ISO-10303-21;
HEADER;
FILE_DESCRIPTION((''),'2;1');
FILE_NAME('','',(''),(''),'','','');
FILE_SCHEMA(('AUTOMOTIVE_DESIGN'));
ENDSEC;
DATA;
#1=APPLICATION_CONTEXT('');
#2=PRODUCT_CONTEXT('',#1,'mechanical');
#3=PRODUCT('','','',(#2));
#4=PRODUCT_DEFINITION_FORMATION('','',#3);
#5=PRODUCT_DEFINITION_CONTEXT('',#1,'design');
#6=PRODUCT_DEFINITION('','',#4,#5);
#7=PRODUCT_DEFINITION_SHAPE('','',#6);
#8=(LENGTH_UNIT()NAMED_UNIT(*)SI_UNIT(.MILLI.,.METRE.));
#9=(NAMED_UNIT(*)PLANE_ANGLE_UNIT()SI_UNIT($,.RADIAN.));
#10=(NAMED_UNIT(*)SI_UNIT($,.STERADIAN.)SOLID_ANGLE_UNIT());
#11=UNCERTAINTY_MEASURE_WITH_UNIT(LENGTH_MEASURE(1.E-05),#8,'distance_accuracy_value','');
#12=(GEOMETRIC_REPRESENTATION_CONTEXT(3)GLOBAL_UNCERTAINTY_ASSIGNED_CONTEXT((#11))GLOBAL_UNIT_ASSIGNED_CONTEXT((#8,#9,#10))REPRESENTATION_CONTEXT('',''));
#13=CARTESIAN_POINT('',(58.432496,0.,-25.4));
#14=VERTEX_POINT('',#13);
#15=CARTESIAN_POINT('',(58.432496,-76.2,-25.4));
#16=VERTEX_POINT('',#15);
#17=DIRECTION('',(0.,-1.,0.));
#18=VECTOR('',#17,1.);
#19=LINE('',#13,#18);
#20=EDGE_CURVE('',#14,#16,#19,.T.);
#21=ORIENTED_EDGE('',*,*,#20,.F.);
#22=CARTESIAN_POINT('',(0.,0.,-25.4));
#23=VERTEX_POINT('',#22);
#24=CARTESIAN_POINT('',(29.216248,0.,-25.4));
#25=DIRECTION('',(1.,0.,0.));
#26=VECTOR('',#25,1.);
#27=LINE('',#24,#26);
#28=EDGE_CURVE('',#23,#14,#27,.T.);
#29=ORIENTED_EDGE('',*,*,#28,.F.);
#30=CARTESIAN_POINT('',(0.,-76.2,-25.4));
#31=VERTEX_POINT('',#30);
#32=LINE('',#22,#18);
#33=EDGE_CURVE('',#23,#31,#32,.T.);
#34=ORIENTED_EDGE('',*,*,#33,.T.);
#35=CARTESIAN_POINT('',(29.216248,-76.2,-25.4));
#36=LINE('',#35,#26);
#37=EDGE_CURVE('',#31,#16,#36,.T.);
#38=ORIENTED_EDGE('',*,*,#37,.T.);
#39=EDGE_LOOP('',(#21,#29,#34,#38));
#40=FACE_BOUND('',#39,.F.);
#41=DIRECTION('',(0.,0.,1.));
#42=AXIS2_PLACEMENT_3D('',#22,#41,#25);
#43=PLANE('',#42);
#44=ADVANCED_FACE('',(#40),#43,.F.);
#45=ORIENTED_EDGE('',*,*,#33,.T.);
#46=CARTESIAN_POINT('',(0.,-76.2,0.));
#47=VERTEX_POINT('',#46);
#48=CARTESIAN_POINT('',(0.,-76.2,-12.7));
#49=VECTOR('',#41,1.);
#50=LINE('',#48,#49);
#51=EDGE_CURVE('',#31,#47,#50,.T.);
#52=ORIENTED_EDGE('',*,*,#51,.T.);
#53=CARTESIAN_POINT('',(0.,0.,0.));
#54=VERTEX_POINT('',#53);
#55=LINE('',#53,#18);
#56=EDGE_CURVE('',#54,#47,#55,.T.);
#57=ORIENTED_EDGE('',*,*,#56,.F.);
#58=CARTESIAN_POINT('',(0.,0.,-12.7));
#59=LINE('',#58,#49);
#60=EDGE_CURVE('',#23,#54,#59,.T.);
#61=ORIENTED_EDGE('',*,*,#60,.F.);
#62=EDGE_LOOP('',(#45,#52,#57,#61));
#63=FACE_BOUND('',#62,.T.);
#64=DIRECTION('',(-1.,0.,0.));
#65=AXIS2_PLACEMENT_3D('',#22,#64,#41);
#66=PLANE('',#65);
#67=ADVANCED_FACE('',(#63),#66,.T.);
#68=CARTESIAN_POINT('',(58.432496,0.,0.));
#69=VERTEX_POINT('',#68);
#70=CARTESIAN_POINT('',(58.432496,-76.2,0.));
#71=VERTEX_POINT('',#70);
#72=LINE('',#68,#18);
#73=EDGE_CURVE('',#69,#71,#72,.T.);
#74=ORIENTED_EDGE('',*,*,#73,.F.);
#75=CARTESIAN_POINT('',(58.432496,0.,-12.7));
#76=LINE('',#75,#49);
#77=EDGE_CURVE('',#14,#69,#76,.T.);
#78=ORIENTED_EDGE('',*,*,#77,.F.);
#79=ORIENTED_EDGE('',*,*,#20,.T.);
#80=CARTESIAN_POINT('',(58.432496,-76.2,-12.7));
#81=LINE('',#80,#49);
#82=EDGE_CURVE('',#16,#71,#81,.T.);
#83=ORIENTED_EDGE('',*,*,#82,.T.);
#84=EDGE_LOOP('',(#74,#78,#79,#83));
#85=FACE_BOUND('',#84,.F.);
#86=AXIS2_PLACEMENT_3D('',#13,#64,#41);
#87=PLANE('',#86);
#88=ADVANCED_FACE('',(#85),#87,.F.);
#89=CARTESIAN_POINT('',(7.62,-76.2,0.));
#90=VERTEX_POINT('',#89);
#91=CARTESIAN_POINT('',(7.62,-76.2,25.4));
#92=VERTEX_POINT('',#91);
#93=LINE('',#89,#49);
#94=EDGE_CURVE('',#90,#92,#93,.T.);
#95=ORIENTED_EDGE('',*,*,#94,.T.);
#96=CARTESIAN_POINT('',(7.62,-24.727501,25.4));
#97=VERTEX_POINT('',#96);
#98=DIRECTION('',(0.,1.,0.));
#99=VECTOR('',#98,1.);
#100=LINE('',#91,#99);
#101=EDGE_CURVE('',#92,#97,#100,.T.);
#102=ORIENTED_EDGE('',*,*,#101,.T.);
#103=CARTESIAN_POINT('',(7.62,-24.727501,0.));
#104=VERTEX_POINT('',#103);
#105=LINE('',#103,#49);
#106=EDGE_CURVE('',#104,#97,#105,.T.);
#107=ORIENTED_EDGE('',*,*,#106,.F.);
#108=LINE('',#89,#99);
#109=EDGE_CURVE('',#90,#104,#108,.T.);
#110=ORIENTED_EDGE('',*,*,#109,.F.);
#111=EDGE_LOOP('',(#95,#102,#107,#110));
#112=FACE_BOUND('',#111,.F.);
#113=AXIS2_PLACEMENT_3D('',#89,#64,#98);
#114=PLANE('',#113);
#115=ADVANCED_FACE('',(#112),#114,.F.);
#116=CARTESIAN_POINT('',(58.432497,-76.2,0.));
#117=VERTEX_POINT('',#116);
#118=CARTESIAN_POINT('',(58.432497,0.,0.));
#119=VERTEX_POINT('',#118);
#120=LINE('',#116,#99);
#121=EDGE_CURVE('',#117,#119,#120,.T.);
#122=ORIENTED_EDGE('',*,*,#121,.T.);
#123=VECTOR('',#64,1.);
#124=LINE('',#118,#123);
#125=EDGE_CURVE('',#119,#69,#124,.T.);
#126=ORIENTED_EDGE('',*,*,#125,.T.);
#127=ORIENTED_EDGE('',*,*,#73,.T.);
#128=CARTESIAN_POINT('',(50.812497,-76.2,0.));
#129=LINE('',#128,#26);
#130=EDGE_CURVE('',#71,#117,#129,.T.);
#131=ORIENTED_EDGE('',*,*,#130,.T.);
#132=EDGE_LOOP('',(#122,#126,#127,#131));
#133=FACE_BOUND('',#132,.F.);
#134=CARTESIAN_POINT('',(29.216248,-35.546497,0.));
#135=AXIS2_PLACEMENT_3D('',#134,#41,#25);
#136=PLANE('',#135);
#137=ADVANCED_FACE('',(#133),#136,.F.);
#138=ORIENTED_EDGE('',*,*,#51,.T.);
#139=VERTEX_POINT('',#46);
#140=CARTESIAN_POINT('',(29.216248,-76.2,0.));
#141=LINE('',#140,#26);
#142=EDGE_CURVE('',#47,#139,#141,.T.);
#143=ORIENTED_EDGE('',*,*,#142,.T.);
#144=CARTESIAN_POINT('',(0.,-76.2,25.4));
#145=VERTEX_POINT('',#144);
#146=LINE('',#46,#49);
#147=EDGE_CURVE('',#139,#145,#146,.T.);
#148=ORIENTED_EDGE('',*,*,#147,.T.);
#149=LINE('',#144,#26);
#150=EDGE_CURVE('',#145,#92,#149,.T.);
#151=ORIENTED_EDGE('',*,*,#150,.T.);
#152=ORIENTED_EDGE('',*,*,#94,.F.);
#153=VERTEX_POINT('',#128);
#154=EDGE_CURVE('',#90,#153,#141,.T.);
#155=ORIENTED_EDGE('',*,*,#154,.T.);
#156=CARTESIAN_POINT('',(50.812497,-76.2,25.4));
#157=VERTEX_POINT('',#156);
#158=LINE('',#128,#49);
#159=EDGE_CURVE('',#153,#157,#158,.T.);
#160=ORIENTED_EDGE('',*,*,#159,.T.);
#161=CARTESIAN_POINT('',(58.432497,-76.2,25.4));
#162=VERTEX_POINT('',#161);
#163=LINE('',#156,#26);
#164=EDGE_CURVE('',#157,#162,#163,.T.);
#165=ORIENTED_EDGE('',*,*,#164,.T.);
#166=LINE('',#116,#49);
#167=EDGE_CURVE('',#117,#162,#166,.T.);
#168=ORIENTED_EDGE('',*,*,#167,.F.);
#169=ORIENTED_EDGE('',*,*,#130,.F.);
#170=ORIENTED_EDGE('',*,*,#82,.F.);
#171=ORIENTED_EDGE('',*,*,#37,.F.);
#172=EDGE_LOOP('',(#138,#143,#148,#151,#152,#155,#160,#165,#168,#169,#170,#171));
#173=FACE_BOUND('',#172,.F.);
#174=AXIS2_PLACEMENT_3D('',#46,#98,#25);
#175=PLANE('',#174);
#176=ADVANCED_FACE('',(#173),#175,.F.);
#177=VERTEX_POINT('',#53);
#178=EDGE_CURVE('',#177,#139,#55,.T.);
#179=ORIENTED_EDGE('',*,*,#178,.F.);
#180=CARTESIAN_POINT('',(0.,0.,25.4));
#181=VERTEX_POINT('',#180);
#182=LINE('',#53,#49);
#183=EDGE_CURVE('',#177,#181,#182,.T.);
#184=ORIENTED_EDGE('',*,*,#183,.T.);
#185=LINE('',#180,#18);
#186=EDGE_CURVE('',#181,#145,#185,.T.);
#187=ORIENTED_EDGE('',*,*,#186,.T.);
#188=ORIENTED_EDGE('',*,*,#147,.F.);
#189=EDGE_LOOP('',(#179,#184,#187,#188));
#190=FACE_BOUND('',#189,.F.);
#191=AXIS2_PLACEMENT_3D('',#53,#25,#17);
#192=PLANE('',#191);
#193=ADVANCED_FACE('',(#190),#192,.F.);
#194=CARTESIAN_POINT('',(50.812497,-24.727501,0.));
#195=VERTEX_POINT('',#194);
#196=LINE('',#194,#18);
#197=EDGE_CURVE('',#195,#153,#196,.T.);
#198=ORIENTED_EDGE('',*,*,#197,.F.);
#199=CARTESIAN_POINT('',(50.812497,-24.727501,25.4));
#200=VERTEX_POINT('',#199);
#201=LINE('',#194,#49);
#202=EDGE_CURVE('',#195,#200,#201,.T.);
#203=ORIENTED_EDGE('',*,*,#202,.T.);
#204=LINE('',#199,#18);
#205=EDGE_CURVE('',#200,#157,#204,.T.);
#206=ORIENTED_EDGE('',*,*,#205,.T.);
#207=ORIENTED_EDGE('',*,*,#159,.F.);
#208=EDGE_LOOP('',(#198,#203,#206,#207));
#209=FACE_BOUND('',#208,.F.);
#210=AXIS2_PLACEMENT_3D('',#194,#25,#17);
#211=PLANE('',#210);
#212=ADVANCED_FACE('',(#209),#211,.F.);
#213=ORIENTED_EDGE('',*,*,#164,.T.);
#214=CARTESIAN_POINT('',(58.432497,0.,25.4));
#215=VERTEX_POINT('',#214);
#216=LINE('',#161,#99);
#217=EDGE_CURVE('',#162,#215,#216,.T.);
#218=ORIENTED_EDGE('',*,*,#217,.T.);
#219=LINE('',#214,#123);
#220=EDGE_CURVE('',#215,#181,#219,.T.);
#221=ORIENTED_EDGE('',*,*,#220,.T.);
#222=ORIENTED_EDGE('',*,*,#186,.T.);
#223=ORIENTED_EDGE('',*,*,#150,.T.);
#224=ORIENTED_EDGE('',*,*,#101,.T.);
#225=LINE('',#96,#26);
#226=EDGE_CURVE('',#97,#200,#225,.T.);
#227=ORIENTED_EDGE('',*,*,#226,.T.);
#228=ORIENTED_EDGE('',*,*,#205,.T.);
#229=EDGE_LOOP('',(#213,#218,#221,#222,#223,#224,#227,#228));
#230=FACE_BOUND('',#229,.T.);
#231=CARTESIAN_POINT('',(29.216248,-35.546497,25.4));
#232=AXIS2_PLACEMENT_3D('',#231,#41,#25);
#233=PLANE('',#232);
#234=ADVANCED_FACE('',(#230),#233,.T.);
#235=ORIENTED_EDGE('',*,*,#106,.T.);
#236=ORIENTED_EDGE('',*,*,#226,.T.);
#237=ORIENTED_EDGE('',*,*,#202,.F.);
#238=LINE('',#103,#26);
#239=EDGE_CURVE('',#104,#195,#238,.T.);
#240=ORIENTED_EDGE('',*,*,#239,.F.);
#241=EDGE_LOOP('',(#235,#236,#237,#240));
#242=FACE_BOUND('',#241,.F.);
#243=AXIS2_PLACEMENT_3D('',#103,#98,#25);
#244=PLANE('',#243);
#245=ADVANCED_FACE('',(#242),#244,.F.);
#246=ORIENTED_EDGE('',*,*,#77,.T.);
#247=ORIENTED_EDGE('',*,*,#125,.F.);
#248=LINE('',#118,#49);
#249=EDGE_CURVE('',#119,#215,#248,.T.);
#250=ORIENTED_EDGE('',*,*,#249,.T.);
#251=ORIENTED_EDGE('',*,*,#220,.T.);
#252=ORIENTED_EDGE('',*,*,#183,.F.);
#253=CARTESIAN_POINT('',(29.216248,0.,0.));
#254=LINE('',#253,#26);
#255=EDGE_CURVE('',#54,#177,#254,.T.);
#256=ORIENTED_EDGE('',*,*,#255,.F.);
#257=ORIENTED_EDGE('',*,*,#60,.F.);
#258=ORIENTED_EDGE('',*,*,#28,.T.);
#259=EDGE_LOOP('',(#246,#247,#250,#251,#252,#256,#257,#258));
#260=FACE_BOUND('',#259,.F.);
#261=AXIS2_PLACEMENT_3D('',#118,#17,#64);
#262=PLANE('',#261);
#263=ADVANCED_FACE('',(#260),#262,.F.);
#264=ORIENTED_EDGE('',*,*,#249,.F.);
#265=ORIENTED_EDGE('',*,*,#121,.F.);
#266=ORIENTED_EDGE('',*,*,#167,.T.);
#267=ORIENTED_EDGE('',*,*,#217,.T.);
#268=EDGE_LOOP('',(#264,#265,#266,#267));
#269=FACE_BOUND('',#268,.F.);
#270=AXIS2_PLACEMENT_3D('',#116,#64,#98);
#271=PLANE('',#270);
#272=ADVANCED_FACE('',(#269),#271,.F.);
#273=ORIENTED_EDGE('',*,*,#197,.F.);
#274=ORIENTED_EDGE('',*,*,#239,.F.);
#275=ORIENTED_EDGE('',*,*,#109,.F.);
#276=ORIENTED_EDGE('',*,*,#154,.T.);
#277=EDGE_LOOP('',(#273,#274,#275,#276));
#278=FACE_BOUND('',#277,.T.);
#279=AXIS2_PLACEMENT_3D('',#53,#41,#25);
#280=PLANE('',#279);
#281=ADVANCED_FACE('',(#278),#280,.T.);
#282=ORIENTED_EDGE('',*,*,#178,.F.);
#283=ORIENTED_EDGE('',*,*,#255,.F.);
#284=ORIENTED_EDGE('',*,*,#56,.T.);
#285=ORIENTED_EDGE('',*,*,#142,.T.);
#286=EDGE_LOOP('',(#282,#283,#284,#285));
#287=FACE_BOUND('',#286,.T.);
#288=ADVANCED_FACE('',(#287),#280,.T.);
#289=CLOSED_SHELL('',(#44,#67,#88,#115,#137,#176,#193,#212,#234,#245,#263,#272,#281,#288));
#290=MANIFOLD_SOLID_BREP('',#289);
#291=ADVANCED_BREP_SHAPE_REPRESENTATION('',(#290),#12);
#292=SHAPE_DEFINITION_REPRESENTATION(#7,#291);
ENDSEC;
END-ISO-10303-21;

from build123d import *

# Parameters (mm, degrees)
F0_W     = 58.432497
F0_H     = 25.4
F1_DEPTH = 76.2
F3_DEPTH = 25.4


with BuildPart() as f1:
    # F0 (on Front) → F1 (new body)
    with BuildSketch(Plane.XZ):
        with Locations((29.216248, -12.7)):
            Rectangle(F0_W, F0_H)
    extrude(amount=F1_DEPTH)

    # F2 (on face) → F3 (join)
    with BuildSketch(Plane.XY):
        Polygon((7.62, -76.2), (7.62, -24.727501), (50.812497, -24.727501), (50.812497, -76.2), (58.432497, -76.2), (58.432497, 0), (0, 0), (0, -76.2), align=None)
    extrude(amount=F3_DEPTH)


solid = f1.part
